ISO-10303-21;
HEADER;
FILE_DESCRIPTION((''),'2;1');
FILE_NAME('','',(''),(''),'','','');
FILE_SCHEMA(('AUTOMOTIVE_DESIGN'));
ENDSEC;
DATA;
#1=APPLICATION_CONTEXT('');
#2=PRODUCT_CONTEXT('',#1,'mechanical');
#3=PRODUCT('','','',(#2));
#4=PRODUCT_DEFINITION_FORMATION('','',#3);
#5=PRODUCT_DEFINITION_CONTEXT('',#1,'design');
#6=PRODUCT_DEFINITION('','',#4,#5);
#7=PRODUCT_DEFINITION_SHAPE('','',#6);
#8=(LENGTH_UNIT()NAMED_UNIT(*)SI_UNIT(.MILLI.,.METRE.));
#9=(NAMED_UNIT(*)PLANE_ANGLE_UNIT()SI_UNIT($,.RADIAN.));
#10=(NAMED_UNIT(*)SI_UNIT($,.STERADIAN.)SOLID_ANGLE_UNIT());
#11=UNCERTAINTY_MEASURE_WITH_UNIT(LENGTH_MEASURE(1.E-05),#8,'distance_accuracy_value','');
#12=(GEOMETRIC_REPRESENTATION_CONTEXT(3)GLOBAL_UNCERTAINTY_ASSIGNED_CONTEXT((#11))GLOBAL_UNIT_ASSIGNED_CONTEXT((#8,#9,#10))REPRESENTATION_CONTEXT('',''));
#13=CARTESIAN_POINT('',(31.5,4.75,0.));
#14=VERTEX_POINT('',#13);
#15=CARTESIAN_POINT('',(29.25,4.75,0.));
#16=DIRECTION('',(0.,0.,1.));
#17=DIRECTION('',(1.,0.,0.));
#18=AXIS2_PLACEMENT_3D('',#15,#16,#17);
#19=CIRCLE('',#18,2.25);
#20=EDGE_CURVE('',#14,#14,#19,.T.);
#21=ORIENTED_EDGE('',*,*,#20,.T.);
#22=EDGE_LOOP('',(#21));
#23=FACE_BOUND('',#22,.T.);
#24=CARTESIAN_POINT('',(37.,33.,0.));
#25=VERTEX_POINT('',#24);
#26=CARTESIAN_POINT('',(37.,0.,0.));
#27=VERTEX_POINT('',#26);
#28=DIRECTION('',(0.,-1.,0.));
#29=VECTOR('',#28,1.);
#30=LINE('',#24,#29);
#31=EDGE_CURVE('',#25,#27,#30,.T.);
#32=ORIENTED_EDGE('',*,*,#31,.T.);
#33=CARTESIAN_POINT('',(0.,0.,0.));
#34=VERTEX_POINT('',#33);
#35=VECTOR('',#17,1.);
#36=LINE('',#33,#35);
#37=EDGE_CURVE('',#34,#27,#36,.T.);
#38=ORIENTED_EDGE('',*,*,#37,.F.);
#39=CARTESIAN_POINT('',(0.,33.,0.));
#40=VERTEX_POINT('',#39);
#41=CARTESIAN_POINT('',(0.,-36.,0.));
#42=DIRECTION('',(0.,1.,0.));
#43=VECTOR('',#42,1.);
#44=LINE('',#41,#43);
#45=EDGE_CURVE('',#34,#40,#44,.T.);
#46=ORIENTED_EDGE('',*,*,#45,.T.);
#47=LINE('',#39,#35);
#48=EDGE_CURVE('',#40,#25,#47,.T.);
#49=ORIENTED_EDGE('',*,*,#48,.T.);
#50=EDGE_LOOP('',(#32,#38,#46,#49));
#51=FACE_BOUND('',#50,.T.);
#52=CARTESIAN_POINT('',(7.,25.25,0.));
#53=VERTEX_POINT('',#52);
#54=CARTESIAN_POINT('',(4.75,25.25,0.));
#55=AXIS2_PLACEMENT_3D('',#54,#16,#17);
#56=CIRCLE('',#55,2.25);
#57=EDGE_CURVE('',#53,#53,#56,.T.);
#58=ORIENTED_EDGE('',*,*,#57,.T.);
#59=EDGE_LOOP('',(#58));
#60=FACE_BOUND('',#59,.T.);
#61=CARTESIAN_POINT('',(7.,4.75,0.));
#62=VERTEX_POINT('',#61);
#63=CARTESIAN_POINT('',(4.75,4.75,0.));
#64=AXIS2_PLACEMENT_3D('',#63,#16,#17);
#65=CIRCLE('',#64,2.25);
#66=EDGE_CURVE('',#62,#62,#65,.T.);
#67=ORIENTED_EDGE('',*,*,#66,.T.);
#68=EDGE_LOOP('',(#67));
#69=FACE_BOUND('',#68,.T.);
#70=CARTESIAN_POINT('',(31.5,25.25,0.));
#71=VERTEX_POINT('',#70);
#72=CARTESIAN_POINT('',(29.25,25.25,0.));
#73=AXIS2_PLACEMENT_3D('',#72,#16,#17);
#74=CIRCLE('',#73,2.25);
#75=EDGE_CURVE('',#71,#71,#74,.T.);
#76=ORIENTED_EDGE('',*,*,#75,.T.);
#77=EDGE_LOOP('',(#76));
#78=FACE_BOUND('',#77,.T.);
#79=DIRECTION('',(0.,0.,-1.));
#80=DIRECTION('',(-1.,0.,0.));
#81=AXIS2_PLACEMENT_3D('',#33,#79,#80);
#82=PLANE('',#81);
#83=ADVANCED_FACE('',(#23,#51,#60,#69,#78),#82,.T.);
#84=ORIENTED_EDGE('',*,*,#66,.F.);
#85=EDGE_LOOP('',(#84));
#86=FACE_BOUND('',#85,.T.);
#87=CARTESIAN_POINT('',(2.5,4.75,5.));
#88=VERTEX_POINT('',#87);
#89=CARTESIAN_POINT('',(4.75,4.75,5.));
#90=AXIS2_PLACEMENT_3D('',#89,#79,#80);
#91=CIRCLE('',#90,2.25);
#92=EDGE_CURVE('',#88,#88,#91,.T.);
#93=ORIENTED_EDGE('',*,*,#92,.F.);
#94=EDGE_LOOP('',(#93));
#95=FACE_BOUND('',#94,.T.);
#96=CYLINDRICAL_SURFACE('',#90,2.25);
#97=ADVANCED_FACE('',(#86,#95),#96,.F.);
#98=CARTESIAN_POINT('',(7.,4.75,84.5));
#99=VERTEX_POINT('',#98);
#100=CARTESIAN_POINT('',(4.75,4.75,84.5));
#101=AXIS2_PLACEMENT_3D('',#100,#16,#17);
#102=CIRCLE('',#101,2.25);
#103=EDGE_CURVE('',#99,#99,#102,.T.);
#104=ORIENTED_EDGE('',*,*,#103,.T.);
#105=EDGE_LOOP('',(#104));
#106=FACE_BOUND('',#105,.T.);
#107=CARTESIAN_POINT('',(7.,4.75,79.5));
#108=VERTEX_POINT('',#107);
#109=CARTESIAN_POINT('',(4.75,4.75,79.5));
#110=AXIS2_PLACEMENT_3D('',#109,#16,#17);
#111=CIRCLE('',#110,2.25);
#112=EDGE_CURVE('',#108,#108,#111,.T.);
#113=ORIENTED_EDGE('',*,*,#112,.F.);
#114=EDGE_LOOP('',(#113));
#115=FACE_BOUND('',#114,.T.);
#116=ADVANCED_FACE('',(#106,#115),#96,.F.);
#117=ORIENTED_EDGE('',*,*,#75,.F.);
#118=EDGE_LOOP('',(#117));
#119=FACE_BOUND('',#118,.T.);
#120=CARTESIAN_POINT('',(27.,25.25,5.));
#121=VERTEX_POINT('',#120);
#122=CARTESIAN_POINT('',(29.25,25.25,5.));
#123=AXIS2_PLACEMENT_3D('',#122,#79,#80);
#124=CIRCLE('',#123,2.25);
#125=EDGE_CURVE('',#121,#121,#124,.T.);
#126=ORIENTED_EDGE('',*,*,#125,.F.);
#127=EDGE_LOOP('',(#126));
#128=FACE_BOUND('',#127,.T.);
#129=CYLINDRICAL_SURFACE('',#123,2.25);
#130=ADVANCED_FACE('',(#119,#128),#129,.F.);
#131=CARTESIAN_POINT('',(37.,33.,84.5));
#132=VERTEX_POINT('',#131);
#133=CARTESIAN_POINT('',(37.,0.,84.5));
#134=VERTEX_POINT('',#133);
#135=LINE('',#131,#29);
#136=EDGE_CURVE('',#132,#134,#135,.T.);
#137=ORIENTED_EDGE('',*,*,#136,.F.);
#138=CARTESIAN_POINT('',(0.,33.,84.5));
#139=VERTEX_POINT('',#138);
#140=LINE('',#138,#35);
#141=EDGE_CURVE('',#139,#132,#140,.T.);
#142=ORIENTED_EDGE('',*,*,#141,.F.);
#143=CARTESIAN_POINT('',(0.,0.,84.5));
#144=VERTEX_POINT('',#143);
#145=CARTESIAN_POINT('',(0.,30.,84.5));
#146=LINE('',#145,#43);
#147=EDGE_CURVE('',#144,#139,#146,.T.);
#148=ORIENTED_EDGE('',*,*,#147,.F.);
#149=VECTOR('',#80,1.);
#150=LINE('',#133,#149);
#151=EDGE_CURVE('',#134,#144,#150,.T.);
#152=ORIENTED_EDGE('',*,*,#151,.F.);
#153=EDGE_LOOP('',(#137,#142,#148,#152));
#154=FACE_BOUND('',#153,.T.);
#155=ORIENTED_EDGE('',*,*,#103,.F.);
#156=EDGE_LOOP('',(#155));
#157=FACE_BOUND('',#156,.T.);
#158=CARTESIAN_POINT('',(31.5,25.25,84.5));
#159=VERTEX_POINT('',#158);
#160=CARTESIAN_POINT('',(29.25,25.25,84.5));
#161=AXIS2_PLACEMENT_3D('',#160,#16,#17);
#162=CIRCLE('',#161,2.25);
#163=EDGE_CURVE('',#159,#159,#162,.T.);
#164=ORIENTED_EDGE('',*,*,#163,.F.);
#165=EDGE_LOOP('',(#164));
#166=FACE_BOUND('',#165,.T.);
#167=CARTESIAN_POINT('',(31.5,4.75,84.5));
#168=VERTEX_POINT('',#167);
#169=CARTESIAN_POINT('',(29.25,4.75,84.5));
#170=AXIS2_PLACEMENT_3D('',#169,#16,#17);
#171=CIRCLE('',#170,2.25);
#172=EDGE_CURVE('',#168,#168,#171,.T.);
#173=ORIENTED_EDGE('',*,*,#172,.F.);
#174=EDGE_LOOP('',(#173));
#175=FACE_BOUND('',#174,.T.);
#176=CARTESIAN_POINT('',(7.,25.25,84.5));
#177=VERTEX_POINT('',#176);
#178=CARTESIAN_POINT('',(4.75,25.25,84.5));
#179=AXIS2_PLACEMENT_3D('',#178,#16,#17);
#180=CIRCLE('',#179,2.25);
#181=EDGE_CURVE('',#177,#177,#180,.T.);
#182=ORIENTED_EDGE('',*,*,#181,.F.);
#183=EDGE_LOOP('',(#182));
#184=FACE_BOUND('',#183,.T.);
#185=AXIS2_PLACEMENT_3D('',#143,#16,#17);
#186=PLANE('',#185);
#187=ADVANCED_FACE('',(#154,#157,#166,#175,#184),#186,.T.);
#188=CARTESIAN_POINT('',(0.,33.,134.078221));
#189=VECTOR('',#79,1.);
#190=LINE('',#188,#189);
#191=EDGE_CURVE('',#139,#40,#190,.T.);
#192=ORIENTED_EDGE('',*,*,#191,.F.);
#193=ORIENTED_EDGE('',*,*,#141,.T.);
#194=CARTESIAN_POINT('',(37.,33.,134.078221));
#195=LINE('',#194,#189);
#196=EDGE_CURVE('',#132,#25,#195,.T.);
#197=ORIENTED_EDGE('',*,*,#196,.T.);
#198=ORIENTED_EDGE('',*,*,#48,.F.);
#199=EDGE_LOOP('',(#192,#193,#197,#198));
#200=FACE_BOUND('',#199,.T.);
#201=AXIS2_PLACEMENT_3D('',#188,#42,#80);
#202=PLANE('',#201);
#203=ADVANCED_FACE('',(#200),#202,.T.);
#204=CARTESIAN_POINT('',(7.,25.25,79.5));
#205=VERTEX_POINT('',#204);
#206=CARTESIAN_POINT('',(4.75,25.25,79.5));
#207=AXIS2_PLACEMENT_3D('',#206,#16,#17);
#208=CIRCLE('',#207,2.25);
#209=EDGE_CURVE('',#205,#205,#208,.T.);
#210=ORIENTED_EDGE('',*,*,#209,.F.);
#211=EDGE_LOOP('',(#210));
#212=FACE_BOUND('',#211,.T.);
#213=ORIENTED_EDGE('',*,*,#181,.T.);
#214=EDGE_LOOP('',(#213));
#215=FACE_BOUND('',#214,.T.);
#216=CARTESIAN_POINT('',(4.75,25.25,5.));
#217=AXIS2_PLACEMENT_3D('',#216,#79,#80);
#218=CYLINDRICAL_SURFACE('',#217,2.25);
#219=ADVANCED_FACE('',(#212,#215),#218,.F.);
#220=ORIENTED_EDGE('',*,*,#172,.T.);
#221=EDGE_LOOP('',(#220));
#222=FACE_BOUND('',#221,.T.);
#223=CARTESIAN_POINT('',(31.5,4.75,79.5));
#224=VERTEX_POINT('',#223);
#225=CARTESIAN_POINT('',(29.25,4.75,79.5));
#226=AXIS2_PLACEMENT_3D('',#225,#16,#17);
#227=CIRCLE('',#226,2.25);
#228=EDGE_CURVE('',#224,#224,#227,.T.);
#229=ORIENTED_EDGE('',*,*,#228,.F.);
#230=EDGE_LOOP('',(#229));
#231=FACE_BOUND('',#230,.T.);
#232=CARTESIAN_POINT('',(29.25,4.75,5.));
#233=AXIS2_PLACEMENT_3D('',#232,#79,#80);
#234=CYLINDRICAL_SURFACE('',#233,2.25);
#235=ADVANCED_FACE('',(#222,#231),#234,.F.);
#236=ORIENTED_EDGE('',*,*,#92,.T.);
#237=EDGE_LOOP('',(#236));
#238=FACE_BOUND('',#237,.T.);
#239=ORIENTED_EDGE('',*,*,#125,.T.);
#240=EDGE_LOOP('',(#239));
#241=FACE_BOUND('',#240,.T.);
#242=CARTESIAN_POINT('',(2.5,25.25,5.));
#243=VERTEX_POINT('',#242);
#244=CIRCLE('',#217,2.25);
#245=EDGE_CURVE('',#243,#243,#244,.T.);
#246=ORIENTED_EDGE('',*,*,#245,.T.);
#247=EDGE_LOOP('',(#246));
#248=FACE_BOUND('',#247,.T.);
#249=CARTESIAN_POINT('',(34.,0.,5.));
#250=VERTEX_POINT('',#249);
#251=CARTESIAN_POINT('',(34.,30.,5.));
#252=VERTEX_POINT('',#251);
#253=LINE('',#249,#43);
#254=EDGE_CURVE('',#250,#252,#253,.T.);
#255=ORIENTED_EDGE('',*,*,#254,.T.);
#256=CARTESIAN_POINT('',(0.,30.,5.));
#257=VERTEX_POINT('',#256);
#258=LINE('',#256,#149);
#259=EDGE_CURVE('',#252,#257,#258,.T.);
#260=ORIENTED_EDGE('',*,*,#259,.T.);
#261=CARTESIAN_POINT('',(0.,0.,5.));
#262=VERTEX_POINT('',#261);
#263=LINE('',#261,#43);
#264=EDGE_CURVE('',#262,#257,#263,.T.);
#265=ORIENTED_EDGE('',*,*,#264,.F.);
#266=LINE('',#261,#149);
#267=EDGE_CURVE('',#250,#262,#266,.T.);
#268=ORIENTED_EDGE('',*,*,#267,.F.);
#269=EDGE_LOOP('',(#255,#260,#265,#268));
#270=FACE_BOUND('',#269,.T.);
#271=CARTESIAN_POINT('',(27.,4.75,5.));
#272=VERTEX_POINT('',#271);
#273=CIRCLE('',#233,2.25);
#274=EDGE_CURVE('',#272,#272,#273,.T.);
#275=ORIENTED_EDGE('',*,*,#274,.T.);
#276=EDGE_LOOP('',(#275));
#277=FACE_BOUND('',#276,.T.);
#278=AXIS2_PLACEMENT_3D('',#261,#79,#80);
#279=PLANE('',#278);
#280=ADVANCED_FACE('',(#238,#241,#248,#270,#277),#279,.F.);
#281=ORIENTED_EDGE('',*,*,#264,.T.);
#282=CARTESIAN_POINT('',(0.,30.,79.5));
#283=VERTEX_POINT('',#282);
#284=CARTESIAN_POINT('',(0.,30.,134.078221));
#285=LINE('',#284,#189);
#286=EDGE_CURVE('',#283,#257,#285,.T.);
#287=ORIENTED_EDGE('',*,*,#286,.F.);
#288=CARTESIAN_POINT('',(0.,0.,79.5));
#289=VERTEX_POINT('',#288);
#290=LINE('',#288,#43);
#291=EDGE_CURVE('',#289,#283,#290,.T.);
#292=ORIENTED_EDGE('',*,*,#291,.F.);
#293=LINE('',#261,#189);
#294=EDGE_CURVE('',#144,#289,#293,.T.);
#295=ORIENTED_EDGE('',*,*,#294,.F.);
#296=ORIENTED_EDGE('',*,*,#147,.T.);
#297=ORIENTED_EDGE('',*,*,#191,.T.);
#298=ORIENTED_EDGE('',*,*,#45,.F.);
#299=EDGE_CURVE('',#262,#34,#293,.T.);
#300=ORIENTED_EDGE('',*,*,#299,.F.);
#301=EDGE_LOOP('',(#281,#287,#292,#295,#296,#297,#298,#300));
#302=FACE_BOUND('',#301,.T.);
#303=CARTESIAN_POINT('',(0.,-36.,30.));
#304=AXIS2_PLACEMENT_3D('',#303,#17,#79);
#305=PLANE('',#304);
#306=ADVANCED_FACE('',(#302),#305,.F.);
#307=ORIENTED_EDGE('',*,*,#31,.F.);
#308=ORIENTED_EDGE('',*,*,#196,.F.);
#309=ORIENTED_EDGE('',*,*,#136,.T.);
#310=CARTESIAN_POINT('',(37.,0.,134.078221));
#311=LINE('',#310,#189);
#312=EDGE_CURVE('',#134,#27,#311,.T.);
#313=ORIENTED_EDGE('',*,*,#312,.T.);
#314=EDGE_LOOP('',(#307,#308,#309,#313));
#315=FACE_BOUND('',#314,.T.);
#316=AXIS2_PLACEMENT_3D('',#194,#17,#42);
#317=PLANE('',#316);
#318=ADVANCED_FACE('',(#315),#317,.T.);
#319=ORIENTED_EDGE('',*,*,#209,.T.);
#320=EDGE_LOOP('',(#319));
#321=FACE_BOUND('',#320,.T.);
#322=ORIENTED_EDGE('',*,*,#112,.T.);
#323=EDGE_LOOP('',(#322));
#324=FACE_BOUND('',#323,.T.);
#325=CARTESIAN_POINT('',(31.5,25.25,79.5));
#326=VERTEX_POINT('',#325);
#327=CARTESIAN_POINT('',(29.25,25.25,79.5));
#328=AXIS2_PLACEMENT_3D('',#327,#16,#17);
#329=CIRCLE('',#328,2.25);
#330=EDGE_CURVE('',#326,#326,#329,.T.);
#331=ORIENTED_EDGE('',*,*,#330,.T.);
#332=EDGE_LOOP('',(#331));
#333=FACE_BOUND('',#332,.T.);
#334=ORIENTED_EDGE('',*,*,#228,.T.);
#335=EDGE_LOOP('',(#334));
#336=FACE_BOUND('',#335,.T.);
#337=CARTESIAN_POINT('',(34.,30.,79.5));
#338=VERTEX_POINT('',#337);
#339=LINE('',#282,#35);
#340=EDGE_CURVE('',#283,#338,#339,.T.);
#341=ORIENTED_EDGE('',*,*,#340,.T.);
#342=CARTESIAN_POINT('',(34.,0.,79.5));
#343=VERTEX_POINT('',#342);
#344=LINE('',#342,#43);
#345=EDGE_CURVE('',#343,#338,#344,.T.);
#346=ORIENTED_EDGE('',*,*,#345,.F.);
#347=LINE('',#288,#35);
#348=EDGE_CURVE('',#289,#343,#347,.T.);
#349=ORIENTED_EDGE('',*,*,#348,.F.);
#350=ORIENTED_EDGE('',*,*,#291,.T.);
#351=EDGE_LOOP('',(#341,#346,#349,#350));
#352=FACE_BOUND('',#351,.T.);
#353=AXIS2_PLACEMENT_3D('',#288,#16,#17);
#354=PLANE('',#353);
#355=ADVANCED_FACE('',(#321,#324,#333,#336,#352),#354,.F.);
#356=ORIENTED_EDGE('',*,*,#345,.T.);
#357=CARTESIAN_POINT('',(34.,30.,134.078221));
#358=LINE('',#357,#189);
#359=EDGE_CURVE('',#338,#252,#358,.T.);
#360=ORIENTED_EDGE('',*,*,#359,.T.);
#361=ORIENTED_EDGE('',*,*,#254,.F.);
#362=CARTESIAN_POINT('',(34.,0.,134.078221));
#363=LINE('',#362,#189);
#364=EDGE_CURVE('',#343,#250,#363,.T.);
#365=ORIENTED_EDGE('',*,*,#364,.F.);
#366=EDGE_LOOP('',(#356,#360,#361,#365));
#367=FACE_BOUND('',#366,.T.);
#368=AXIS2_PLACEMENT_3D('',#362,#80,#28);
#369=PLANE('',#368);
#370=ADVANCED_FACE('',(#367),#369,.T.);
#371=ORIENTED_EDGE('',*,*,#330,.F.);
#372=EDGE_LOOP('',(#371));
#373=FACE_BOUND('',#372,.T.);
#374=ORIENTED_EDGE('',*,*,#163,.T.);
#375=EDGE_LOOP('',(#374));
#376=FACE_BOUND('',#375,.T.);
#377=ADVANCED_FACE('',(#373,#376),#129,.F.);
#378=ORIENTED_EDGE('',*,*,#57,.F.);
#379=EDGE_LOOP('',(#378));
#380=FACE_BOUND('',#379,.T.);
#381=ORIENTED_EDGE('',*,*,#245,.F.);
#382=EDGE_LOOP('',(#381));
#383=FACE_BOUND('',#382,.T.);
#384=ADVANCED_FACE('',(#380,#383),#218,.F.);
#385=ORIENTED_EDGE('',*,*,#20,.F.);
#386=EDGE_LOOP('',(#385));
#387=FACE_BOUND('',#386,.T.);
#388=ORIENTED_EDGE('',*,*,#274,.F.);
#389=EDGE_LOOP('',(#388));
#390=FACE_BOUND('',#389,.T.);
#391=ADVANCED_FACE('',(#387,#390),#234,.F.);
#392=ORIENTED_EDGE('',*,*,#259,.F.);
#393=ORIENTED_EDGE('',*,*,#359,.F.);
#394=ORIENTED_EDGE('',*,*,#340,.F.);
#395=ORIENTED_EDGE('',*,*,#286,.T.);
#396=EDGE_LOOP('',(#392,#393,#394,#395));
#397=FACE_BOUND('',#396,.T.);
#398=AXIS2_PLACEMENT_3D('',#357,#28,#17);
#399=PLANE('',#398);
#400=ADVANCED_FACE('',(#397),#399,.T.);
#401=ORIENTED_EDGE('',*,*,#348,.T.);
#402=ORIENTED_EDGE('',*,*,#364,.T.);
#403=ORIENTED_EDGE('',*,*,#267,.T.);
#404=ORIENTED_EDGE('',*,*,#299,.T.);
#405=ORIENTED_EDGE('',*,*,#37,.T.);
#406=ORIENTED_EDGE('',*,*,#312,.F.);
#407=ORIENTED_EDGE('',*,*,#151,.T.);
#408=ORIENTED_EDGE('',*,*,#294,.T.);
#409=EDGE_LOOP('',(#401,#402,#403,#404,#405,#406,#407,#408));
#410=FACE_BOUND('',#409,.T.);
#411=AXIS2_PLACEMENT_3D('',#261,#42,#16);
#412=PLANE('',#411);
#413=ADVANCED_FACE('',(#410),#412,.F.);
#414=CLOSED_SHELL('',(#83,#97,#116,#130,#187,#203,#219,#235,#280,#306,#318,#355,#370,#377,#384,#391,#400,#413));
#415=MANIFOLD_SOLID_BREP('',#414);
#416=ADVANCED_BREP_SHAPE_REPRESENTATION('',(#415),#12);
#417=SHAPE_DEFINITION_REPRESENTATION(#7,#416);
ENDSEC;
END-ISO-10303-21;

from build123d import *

# Parameters (mm, degrees)
SKETCH1_W           = 34
SKETCH1_H           = 30
SKETCH1_R           = 2.25
BOSS_EXTRUDE1_DEPTH = 5
SKETCH2_W           = 5
SKETCH2_H           = 30
BOSS_EXTRUDE2_DEPTH = 15
SKETCH4_W           = 5
SKETCH4_H           = 30
BOSS_EXTRUDE3_DEPTH = 25
SKETCH5_R           = 2.5
CUT_EXTRUDE1_DEPTH  = 25
SKETCH6_W           = 15
SKETCH6_H           = 30
CUT_EXTRUDE2_DEPTH  = 66
SKETCH7_W           = 34
SKETCH7_H           = 30
SKETCH7_R           = 2.25
BOSS_EXTRUDE4_DEPTH = 79.5
SKETCH8_W           = 34
SKETCH8_H           = 74.5
CUT_EXTRUDE3_DEPTH  = 30
BOSS_EXTRUDE6_DEPTH = 84.5


with BuildPart() as part:
    # Sketch1 → Boss-Extrude1 (new body)
    with BuildSketch(Plane.XY):
        with Locations((17, 15)):
            Rectangle(SKETCH1_W, SKETCH1_H)
        with Locations((4.75, 25.25)):
            Circle(SKETCH1_R, mode=Mode.SUBTRACT)
        with Locations((29.25, 25.25)):
            Circle(SKETCH1_R, mode=Mode.SUBTRACT)
        with Locations((29.25, 4.75)):
            Circle(SKETCH1_R, mode=Mode.SUBTRACT)
        with Locations((4.75, 4.75)):
            Circle(SKETCH1_R, mode=Mode.SUBTRACT)
    extrude(amount=BOSS_EXTRUDE1_DEPTH)

    # Sketch2 → Boss-Extrude2 (add)
    with BuildSketch(Plane.ZY):
        with Locations((2.5, 15)):
            Rectangle(SKETCH2_W, SKETCH2_H)
    extrude(amount=BOSS_EXTRUDE2_DEPTH)

    # Sketch4 → Boss-Extrude3 (add)
    with BuildSketch(Plane.XY.offset(5)):
        with Locations((-12.5, 15)):
            Rectangle(SKETCH4_W, SKETCH4_H)
    extrude(amount=BOSS_EXTRUDE3_DEPTH)

    # Sketch5 → Cut-Extrude1 (cut)
    with BuildSketch(Plane(origin=(-10, 0, 0), x_dir=(0, 0, -1), z_dir=(1, 0, 0))):
        with Locations((-24, 15)):
            Circle(SKETCH5_R)
        with Locations((-10, 15)):
            Circle(SKETCH5_R)
    extrude(amount=-CUT_EXTRUDE1_DEPTH, mode=Mode.SUBTRACT)

    # Sketch6 → Cut-Extrude2 (cut)
    with BuildSketch(Plane(origin=(0, 30, 0), x_dir=(1, 0, 0), z_dir=(0, 1, 0))):
        with Locations((-7.5, -15)):
            Rectangle(SKETCH6_W, SKETCH6_H)
    extrude(amount=-CUT_EXTRUDE2_DEPTH, mode=Mode.SUBTRACT)

    # Sketch7 → Boss-Extrude4 (add)
    with BuildSketch(Plane.XY.offset(5)):
        with Locations((17, 15)):
            Rectangle(SKETCH7_W, SKETCH7_H)
        with Locations((4.75, 25.25)):
            Circle(SKETCH7_R, mode=Mode.SUBTRACT)
        with Locations((29.25, 25.25)):
            Circle(SKETCH7_R, mode=Mode.SUBTRACT)
        with Locations((29.25, 4.75)):
            Circle(SKETCH7_R, mode=Mode.SUBTRACT)
        with Locations((4.75, 4.75)):
            Circle(SKETCH7_R, mode=Mode.SUBTRACT)
    extrude(amount=BOSS_EXTRUDE4_DEPTH)

    # Sketch8 → Cut-Extrude3 (cut)
    with BuildSketch(Plane(origin=(0, 30, 0), x_dir=(1, 0, 0), z_dir=(0, 1, 0))):
        with Locations((17, -42.25)):
            Rectangle(SKETCH8_W, SKETCH8_H)
    extrude(amount=-CUT_EXTRUDE3_DEPTH, mode=Mode.SUBTRACT)


with BuildPart() as cut_extrude3_piece_1:
    # of the separate pieces the step leaves, piece 1, a body of its own (cut_extrude3_pieces)
    add(part.part.solids().sort_by_distance((34, 0, 0))[0])



with BuildPart() as cut_extrude3_piece_2:
    # of the separate pieces the step leaves, piece 2, a body of its own (cut_extrude3_pieces)
    add(part.part.solids().sort_by_distance((34, 0, 79.5))[0])


with BuildPart() as cut_extrude3_piece_1_1:
    add(cut_extrude3_piece_1.part)

    add(cut_extrude3_piece_2.part)  # Boss-Extrude6 merges Cut-Extrude3 piece 2
    # Sketch11 → Boss-Extrude6 (add)
    with BuildSketch(Plane(origin=(0, 0, 0), x_dir=(-1, 0, 0), z_dir=(0, 0, -1))):
        Polygon((0, 30), (0, 33), (-37, 33), (-37, 0), (-34, 0), (-34, 30), align=None)
    extrude(amount=-BOSS_EXTRUDE6_DEPTH)


solid = cut_extrude3_piece_1_1.part
